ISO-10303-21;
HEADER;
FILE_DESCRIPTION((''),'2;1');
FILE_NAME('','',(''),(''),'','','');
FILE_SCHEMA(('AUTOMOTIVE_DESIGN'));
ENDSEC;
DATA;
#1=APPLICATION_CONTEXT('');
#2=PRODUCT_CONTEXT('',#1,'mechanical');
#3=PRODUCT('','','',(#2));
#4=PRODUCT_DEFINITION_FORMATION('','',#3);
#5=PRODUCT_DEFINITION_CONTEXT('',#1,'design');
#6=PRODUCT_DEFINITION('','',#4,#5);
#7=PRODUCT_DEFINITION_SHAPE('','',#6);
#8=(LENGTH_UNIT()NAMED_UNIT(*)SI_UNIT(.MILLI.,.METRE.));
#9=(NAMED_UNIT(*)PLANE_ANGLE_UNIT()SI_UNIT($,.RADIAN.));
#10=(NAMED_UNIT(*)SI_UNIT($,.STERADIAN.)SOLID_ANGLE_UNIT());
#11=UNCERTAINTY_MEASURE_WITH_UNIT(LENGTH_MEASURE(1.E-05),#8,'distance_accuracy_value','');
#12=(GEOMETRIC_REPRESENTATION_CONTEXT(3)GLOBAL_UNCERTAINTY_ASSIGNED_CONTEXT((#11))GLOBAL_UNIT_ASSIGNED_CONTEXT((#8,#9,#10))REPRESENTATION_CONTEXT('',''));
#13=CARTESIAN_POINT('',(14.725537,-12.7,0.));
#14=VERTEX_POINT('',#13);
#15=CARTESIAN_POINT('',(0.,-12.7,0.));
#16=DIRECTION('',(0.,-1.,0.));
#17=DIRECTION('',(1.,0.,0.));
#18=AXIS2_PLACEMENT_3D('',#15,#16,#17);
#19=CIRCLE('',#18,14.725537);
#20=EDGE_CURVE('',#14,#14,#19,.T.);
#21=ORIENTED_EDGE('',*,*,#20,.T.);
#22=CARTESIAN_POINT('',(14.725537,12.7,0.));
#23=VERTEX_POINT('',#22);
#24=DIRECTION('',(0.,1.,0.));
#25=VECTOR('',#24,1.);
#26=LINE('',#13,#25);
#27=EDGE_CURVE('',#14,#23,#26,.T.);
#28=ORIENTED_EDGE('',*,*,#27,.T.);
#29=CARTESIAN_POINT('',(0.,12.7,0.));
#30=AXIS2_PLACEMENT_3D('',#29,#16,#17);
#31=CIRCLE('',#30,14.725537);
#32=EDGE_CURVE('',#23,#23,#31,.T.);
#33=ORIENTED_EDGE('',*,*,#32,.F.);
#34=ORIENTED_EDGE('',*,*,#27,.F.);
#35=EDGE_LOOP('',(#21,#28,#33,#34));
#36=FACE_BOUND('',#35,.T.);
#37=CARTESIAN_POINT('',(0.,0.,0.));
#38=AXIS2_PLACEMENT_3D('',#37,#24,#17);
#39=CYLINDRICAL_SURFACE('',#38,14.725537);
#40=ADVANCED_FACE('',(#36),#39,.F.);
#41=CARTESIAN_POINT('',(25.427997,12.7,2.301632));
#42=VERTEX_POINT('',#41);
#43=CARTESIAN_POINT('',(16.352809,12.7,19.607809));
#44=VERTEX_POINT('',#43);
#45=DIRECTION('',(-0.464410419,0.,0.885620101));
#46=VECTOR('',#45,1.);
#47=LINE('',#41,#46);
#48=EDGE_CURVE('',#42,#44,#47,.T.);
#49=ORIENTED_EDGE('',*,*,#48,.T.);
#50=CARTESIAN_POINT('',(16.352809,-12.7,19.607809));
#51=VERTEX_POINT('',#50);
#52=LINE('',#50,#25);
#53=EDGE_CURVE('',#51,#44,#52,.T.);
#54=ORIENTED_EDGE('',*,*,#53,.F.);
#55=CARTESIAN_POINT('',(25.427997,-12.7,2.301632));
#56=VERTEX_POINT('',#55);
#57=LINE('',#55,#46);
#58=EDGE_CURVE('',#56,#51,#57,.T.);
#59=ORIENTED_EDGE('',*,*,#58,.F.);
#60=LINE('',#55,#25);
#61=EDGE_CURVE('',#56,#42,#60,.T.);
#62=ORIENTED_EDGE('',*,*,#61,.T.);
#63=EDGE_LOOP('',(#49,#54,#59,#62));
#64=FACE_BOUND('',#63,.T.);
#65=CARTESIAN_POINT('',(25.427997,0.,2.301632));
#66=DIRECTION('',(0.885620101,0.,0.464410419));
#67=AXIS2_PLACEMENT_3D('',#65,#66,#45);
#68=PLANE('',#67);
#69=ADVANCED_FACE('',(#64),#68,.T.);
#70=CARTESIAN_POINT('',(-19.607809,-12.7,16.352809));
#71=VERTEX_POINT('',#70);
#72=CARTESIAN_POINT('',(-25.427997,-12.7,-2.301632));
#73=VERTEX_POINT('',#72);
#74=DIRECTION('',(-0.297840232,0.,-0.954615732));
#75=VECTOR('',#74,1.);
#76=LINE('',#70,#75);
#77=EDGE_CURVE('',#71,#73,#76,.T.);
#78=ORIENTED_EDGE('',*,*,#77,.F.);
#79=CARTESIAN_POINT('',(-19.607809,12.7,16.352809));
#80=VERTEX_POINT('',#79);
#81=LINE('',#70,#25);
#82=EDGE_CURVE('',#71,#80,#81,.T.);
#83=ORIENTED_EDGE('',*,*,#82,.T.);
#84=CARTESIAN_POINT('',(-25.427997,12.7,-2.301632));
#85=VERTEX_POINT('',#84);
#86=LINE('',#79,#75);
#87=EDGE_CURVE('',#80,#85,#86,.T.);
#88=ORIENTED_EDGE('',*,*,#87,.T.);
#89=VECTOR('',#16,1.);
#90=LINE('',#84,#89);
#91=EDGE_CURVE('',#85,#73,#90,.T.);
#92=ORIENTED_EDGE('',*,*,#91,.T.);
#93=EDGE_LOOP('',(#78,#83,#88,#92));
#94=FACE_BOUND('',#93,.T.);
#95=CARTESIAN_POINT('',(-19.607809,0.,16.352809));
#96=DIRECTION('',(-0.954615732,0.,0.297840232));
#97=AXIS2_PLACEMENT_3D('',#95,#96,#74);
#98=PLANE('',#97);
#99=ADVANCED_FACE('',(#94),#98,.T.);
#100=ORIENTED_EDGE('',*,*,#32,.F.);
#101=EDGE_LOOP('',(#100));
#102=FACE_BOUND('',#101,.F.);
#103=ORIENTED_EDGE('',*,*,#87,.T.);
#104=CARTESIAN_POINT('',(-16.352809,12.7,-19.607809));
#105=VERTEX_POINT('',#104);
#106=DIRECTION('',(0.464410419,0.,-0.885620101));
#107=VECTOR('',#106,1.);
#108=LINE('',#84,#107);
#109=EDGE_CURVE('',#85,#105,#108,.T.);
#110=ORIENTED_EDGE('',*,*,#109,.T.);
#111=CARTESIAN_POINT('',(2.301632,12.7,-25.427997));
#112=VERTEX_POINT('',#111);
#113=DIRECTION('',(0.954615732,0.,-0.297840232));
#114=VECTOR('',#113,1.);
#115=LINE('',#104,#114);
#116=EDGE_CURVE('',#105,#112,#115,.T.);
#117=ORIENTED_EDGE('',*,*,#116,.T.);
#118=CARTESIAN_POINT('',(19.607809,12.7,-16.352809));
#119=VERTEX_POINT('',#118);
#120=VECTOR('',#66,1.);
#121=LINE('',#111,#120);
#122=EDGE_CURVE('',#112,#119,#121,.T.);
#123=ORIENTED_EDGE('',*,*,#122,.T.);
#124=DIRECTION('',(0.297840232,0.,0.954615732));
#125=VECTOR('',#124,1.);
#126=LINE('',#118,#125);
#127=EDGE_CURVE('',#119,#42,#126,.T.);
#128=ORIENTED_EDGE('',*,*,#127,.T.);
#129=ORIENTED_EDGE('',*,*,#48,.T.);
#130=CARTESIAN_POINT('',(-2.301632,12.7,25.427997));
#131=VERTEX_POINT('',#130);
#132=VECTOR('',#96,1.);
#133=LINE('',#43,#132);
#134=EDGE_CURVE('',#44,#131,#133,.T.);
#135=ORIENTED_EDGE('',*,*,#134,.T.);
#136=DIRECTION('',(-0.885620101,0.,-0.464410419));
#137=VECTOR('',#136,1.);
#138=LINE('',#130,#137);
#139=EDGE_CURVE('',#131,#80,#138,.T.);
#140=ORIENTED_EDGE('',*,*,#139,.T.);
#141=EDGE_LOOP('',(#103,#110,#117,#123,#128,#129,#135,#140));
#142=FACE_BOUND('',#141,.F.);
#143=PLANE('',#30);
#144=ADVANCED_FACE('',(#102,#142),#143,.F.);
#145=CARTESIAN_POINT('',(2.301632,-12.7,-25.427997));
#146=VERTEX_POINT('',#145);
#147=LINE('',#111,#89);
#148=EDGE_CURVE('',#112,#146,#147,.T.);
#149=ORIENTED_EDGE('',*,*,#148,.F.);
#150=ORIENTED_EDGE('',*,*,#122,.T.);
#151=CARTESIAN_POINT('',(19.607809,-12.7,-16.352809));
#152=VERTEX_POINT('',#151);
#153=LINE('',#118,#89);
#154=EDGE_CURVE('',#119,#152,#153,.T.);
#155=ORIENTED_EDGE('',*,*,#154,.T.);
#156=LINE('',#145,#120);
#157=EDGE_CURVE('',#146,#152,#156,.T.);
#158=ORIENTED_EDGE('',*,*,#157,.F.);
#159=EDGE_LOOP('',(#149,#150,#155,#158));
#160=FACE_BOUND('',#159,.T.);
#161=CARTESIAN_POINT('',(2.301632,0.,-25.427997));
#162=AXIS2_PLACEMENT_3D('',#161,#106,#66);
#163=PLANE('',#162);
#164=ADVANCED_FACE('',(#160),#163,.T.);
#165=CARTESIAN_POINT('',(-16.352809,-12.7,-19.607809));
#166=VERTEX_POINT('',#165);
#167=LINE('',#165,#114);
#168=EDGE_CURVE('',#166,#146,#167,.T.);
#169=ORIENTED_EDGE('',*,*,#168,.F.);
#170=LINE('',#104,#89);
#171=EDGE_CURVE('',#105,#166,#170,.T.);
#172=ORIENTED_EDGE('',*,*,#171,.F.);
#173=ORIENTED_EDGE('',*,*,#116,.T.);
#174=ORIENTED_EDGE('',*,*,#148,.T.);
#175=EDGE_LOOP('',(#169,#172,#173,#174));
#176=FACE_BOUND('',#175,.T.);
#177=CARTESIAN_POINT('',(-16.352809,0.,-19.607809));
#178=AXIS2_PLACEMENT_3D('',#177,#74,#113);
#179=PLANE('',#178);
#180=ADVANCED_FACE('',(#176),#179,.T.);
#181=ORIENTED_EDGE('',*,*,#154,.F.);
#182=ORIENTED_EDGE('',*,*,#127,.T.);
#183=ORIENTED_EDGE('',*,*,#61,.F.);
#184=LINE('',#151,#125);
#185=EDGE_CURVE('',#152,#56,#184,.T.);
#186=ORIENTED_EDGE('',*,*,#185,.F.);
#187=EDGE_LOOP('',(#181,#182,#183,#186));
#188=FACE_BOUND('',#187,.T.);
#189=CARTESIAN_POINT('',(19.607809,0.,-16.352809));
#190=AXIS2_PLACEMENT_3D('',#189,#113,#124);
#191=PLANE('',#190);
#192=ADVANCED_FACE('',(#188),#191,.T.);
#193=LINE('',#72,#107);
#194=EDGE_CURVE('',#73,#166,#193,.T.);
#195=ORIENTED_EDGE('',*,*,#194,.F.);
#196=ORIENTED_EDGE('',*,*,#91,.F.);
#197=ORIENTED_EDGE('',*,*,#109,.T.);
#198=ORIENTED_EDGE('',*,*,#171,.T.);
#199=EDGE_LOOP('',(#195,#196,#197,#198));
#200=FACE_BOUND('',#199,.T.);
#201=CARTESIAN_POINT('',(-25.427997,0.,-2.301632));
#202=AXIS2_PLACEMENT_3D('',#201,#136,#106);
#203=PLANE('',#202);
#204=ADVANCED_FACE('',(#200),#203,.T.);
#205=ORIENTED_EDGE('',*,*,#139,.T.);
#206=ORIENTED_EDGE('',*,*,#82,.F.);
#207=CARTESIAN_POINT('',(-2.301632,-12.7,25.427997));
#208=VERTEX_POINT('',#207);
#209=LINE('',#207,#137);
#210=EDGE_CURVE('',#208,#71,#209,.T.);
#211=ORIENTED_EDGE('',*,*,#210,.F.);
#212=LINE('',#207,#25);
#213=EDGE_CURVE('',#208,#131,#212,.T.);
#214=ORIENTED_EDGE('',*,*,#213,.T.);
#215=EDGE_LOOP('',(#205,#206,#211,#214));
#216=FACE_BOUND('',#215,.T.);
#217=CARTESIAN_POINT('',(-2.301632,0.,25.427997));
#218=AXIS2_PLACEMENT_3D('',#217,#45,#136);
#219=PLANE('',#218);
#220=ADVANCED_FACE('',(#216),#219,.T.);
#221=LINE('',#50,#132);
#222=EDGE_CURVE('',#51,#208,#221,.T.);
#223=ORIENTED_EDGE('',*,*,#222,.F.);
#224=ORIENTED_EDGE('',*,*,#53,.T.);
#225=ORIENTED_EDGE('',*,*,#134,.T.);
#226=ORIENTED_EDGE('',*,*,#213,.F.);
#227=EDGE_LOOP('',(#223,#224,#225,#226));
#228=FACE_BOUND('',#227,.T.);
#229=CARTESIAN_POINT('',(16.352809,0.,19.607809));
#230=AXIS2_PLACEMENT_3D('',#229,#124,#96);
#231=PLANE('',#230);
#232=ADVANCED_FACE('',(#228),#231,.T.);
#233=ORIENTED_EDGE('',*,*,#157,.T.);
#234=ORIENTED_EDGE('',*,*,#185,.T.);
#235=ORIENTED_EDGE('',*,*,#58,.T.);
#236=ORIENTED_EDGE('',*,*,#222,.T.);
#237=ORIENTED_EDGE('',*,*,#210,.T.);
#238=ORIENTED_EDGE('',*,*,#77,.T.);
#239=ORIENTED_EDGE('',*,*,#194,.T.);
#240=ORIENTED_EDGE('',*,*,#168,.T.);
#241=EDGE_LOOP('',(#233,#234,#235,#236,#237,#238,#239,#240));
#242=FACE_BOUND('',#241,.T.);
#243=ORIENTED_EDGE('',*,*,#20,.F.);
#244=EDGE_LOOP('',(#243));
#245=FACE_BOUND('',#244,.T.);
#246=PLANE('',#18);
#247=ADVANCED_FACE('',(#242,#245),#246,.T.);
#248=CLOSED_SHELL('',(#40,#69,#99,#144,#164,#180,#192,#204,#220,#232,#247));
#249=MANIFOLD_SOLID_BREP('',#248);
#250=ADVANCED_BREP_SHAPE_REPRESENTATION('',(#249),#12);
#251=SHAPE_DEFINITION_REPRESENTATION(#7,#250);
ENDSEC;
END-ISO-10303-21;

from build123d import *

# Parameters (mm, degrees)
F0_R     = 14.725537
F1_DEPTH = 12.7


with BuildPart() as f1:
    # F0 (on Front) → F1 (new body, symmetric)
    with BuildSketch(Plane.XZ):
        Polygon((-19.607809, 16.352809), (-25.427997, -2.301632), (-16.352809, -19.607809), (2.301632, -25.427997), (19.607809, -16.352809), (25.427997, 2.301632), (16.352809, 19.607809), (-2.301632, 25.427997), align=None)
        Circle(F0_R, mode=Mode.SUBTRACT)
    extrude(amount=F1_DEPTH, both=True)


solid = f1.part
